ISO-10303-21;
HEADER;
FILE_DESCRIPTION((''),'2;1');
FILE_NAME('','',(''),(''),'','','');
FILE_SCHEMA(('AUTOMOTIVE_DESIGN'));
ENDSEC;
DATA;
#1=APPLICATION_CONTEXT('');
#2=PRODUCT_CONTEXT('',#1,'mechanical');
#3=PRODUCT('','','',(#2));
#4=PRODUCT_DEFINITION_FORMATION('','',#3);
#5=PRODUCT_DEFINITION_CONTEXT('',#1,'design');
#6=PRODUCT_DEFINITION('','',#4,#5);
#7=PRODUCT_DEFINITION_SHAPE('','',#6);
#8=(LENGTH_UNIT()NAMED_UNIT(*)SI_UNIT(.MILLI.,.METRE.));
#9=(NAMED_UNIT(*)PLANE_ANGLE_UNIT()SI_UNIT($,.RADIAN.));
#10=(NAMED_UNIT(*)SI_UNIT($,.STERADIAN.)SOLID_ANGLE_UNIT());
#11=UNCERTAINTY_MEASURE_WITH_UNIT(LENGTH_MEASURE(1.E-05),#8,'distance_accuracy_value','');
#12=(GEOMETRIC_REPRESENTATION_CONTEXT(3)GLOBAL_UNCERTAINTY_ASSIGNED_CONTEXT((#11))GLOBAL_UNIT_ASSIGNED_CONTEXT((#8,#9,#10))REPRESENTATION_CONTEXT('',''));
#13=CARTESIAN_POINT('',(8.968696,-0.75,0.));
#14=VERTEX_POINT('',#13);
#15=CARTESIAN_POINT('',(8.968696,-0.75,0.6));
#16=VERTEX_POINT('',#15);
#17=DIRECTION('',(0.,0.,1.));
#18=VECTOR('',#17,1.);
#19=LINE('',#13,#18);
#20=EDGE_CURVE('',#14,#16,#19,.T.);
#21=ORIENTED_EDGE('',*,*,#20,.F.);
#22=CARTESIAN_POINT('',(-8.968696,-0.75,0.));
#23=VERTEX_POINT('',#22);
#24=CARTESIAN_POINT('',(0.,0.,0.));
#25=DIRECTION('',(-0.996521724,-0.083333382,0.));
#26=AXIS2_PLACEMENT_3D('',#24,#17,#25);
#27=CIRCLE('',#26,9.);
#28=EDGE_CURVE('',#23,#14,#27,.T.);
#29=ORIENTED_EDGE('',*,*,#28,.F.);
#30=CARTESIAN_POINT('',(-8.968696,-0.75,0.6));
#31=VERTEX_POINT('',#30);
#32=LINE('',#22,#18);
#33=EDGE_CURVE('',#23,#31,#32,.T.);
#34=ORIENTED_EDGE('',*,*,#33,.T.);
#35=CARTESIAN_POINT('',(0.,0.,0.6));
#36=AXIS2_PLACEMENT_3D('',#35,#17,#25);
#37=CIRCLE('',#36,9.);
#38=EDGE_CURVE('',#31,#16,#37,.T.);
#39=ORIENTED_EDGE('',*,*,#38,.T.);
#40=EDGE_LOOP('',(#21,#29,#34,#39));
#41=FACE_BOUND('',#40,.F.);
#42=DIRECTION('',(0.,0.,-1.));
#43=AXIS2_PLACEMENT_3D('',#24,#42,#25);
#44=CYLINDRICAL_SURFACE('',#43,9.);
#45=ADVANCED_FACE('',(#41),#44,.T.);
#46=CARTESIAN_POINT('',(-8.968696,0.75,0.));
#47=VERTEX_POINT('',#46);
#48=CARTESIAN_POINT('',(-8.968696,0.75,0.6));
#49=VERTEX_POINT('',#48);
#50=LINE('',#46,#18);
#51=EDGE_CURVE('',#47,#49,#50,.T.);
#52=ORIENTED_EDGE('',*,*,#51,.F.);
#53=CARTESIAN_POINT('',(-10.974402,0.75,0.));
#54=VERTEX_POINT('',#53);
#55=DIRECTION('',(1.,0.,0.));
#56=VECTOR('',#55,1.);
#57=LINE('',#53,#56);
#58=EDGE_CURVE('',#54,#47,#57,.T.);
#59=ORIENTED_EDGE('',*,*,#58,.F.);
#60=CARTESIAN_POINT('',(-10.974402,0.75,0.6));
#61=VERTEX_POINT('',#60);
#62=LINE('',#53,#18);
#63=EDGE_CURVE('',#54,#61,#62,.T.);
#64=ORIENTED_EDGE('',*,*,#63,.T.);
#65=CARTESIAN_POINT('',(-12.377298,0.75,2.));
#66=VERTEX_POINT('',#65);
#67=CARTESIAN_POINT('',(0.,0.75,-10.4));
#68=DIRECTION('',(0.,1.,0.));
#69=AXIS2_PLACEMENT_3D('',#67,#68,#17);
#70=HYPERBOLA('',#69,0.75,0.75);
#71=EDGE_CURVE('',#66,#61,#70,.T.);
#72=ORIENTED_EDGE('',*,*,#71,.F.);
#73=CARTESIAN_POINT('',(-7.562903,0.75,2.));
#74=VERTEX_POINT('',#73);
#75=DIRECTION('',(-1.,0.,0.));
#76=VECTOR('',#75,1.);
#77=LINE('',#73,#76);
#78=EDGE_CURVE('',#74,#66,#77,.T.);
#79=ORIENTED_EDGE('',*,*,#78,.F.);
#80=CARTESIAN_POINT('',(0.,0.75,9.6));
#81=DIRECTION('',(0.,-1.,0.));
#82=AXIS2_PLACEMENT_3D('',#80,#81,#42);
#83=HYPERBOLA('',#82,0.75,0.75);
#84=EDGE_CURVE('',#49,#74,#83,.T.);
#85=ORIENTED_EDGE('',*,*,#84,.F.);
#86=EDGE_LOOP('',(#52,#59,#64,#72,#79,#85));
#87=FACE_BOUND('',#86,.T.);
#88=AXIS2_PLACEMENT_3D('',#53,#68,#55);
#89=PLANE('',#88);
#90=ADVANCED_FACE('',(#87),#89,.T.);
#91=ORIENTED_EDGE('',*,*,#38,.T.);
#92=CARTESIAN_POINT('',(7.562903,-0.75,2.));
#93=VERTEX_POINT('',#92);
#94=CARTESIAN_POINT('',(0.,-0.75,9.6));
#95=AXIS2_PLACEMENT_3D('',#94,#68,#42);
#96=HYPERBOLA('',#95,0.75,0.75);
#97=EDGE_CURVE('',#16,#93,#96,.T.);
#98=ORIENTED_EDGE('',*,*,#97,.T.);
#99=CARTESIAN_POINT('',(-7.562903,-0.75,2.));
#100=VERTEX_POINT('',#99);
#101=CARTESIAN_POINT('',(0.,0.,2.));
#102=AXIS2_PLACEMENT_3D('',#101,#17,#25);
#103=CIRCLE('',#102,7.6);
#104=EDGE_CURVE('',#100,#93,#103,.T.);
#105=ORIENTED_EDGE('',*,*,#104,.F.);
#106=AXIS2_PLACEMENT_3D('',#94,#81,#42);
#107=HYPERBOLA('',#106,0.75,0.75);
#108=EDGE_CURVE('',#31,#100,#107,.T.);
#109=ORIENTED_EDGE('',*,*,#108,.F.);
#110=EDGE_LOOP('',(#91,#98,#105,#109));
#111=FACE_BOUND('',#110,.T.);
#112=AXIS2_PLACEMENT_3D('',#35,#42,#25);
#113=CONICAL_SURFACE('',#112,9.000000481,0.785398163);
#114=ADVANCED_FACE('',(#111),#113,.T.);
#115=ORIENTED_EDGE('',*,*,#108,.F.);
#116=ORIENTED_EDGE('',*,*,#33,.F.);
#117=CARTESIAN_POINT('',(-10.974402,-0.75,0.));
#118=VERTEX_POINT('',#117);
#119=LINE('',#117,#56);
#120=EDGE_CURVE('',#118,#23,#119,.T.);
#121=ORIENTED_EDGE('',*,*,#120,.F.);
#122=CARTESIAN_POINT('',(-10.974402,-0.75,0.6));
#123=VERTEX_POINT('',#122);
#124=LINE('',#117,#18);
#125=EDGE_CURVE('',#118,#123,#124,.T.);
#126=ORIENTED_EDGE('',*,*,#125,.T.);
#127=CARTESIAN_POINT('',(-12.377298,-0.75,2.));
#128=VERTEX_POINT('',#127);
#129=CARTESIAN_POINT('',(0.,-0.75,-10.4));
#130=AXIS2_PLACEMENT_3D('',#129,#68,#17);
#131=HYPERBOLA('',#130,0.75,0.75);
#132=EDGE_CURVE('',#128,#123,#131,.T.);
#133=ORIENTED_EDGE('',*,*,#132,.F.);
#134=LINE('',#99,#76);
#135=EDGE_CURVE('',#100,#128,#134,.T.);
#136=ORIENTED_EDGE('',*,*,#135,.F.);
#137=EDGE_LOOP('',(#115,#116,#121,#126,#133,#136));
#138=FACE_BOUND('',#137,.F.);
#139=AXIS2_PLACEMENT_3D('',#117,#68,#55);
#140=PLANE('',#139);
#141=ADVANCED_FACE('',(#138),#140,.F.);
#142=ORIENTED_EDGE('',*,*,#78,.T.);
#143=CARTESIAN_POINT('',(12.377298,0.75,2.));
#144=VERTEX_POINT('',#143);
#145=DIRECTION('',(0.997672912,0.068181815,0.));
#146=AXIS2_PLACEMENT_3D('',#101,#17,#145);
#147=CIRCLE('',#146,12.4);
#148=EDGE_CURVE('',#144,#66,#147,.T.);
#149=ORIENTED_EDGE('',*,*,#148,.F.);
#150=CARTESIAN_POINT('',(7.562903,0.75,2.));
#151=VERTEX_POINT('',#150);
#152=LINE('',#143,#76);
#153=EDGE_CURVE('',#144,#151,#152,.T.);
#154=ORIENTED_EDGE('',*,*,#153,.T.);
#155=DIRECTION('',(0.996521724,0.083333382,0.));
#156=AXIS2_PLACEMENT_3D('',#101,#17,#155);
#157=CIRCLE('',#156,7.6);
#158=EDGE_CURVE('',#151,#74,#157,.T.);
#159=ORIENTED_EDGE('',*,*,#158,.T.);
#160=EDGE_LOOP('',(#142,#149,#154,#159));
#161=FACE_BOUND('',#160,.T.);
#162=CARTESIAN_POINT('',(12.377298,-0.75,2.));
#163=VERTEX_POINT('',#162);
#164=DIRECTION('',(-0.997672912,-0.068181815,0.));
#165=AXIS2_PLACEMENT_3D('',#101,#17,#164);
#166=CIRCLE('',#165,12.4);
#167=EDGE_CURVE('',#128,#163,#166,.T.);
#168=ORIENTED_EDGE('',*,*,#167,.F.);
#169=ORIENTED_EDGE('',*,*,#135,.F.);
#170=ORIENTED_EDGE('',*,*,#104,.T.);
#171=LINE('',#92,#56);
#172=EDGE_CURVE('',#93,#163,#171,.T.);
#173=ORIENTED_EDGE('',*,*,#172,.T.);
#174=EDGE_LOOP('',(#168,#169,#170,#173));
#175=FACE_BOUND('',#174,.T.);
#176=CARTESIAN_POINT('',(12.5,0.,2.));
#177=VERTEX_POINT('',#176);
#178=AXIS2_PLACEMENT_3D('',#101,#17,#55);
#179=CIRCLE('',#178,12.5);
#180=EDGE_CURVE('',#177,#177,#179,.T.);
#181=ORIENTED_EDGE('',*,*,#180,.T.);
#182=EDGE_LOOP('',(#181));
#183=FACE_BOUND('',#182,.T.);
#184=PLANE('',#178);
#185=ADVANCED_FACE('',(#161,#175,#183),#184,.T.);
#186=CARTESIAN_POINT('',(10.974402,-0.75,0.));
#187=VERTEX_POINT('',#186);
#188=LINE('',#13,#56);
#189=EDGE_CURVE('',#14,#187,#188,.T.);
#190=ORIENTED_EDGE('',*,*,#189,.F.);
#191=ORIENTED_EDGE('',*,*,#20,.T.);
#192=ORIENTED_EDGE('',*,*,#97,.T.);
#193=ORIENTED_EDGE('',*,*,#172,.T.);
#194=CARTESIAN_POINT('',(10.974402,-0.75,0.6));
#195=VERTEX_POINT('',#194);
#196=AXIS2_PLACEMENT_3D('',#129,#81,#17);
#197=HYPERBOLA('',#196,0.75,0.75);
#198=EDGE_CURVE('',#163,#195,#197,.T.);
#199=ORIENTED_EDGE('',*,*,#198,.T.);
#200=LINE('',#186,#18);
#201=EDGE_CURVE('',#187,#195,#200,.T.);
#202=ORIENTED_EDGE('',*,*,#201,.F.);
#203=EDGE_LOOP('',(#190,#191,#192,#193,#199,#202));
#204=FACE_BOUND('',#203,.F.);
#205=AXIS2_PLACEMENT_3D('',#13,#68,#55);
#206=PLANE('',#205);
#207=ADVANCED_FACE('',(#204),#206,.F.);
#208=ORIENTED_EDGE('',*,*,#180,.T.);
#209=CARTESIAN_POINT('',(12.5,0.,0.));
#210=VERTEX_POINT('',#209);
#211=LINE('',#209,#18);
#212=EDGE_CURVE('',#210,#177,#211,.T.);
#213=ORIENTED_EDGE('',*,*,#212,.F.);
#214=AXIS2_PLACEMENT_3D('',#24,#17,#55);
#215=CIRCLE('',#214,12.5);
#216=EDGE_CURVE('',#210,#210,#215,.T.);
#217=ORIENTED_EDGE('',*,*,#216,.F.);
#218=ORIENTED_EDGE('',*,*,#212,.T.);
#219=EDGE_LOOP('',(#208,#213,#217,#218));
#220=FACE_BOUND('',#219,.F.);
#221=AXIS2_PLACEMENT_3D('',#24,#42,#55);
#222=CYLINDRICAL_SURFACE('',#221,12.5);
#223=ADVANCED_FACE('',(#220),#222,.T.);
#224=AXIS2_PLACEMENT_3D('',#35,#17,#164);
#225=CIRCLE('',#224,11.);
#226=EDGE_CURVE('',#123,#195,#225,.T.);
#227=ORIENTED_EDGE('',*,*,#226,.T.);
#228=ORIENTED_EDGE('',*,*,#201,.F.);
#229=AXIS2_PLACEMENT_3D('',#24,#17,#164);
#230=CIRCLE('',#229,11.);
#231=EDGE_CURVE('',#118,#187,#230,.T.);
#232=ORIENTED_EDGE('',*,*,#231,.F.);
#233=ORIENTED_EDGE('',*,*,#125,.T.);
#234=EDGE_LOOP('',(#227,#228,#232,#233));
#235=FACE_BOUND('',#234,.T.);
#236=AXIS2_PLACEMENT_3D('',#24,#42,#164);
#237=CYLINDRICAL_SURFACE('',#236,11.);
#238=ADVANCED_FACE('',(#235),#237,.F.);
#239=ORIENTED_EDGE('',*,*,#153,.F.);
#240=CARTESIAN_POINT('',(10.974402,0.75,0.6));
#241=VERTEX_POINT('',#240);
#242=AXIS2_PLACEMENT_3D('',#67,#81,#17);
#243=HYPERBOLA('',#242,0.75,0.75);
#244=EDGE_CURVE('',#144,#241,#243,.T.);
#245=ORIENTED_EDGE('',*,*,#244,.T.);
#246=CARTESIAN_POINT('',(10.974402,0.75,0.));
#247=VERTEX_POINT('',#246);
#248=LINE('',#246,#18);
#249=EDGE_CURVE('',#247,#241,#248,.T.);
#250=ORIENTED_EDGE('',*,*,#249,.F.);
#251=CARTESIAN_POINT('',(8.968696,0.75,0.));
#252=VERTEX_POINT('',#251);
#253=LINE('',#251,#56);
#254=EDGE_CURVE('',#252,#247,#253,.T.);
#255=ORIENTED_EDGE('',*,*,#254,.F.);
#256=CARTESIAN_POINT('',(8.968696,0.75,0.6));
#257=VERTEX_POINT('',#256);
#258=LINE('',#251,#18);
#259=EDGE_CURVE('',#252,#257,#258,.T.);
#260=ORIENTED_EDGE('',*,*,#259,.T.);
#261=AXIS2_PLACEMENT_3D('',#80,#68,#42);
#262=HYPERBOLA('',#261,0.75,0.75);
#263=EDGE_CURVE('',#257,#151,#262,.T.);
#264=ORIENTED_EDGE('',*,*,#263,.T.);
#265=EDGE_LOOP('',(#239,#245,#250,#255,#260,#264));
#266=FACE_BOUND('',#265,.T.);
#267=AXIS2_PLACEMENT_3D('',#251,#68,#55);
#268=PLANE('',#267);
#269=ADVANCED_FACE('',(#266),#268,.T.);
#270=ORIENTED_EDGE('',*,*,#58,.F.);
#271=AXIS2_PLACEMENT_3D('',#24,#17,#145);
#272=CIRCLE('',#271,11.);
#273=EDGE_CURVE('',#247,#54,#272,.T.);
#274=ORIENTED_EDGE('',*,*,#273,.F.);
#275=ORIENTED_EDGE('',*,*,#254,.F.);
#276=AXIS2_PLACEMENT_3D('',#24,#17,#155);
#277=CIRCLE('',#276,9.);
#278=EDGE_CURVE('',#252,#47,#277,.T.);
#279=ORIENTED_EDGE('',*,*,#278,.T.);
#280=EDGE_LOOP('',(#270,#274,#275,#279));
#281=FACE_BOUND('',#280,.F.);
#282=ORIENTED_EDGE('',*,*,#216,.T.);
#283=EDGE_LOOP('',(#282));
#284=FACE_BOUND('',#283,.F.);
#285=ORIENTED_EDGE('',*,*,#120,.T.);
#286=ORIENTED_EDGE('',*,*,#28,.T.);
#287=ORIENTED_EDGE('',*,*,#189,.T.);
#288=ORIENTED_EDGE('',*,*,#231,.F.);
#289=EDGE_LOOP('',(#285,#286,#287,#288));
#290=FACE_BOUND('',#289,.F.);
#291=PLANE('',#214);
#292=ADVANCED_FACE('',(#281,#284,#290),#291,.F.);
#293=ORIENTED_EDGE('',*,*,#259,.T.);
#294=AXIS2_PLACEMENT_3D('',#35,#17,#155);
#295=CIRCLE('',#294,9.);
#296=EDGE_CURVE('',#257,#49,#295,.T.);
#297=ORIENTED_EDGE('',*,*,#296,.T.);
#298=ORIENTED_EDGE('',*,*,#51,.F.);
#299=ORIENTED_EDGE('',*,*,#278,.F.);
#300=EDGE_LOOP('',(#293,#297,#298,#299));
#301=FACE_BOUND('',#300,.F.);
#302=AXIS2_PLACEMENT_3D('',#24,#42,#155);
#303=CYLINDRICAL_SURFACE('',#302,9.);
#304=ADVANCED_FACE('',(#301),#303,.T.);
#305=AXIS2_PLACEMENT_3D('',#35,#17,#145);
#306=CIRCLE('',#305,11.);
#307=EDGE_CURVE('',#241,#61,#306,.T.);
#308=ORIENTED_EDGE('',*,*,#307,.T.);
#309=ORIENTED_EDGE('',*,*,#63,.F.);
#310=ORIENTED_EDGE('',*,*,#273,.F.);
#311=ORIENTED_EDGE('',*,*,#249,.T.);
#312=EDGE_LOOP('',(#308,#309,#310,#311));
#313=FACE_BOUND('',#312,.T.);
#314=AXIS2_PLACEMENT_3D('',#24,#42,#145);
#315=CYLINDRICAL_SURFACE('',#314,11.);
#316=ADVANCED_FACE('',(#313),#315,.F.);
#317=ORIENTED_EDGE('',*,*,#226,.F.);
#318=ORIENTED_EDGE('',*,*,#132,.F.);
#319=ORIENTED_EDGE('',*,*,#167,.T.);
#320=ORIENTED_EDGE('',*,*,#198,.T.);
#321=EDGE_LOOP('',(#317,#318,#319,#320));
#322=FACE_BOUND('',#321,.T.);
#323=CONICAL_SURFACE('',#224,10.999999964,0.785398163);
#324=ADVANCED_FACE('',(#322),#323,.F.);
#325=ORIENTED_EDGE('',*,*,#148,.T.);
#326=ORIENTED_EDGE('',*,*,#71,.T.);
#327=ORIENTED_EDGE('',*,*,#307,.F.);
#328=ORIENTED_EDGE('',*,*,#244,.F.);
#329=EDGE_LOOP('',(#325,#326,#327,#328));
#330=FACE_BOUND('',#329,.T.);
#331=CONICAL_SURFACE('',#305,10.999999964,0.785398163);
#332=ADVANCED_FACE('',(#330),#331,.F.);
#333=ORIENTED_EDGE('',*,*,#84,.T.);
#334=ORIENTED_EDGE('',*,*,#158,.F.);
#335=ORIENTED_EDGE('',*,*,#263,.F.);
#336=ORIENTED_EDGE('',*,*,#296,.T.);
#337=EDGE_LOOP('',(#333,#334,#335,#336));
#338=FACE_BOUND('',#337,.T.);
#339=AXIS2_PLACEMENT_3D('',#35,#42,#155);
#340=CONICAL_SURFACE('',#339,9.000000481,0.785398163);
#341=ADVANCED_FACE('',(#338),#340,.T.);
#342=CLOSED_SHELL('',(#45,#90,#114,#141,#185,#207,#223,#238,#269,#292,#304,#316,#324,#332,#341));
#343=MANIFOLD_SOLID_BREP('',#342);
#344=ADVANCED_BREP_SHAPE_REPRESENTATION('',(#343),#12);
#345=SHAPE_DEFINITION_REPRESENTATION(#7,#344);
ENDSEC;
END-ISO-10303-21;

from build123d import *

# Parameters (mm, degrees)
SKETCH_R        = 12.5
PAD_DEPTH       = 2
CHAMFER_SIZE    = 1.4
CHAMFER001_SIZE = 1.4


with BuildPart() as part:
    # Sketch (on XY_Plane of Origin) → Pad (new body)
    with BuildSketch(Plane.XY):
        Circle(SKETCH_R)
        with BuildLine():
            ThreePointArc((-8.968696, -0.75), (0, -9), (8.968696, -0.75))
            Line((8.968696, -0.75), (10.974402, -0.75))
            ThreePointArc((-10.974402, -0.75), (0, -11), (10.974402, -0.75))
            Line((-10.974402, -0.75), (-8.968696, -0.75))
        make_face(mode=Mode.SUBTRACT)
        with BuildLine():
            Line((-10.974402, 0.75), (-8.968696, 0.75))
            ThreePointArc((8.968696, 0.75), (0, 9), (-8.968696, 0.75))
            Line((8.968696, 0.75), (10.974402, 0.75))
            ThreePointArc((10.974402, 0.75), (0, 11), (-10.974402, 0.75))
        make_face(mode=Mode.SUBTRACT)
    extrude(amount=PAD_DEPTH)

    # Chamfer
    chamfer_edges = [part.edges().sort_by_distance(p)[0] for p in [
        (0, -9, 2),
        (0, 9, 2),
    ]]
    chamfer(chamfer_edges, length=CHAMFER_SIZE)

    # Chamfer001
    chamfer001_edges = [part.edges().sort_by_distance(p)[0] for p in [
        (0, -11, 2),
        (0, 11, 2),
    ]]
    chamfer(chamfer001_edges, length=CHAMFER001_SIZE)


solid = part.part
